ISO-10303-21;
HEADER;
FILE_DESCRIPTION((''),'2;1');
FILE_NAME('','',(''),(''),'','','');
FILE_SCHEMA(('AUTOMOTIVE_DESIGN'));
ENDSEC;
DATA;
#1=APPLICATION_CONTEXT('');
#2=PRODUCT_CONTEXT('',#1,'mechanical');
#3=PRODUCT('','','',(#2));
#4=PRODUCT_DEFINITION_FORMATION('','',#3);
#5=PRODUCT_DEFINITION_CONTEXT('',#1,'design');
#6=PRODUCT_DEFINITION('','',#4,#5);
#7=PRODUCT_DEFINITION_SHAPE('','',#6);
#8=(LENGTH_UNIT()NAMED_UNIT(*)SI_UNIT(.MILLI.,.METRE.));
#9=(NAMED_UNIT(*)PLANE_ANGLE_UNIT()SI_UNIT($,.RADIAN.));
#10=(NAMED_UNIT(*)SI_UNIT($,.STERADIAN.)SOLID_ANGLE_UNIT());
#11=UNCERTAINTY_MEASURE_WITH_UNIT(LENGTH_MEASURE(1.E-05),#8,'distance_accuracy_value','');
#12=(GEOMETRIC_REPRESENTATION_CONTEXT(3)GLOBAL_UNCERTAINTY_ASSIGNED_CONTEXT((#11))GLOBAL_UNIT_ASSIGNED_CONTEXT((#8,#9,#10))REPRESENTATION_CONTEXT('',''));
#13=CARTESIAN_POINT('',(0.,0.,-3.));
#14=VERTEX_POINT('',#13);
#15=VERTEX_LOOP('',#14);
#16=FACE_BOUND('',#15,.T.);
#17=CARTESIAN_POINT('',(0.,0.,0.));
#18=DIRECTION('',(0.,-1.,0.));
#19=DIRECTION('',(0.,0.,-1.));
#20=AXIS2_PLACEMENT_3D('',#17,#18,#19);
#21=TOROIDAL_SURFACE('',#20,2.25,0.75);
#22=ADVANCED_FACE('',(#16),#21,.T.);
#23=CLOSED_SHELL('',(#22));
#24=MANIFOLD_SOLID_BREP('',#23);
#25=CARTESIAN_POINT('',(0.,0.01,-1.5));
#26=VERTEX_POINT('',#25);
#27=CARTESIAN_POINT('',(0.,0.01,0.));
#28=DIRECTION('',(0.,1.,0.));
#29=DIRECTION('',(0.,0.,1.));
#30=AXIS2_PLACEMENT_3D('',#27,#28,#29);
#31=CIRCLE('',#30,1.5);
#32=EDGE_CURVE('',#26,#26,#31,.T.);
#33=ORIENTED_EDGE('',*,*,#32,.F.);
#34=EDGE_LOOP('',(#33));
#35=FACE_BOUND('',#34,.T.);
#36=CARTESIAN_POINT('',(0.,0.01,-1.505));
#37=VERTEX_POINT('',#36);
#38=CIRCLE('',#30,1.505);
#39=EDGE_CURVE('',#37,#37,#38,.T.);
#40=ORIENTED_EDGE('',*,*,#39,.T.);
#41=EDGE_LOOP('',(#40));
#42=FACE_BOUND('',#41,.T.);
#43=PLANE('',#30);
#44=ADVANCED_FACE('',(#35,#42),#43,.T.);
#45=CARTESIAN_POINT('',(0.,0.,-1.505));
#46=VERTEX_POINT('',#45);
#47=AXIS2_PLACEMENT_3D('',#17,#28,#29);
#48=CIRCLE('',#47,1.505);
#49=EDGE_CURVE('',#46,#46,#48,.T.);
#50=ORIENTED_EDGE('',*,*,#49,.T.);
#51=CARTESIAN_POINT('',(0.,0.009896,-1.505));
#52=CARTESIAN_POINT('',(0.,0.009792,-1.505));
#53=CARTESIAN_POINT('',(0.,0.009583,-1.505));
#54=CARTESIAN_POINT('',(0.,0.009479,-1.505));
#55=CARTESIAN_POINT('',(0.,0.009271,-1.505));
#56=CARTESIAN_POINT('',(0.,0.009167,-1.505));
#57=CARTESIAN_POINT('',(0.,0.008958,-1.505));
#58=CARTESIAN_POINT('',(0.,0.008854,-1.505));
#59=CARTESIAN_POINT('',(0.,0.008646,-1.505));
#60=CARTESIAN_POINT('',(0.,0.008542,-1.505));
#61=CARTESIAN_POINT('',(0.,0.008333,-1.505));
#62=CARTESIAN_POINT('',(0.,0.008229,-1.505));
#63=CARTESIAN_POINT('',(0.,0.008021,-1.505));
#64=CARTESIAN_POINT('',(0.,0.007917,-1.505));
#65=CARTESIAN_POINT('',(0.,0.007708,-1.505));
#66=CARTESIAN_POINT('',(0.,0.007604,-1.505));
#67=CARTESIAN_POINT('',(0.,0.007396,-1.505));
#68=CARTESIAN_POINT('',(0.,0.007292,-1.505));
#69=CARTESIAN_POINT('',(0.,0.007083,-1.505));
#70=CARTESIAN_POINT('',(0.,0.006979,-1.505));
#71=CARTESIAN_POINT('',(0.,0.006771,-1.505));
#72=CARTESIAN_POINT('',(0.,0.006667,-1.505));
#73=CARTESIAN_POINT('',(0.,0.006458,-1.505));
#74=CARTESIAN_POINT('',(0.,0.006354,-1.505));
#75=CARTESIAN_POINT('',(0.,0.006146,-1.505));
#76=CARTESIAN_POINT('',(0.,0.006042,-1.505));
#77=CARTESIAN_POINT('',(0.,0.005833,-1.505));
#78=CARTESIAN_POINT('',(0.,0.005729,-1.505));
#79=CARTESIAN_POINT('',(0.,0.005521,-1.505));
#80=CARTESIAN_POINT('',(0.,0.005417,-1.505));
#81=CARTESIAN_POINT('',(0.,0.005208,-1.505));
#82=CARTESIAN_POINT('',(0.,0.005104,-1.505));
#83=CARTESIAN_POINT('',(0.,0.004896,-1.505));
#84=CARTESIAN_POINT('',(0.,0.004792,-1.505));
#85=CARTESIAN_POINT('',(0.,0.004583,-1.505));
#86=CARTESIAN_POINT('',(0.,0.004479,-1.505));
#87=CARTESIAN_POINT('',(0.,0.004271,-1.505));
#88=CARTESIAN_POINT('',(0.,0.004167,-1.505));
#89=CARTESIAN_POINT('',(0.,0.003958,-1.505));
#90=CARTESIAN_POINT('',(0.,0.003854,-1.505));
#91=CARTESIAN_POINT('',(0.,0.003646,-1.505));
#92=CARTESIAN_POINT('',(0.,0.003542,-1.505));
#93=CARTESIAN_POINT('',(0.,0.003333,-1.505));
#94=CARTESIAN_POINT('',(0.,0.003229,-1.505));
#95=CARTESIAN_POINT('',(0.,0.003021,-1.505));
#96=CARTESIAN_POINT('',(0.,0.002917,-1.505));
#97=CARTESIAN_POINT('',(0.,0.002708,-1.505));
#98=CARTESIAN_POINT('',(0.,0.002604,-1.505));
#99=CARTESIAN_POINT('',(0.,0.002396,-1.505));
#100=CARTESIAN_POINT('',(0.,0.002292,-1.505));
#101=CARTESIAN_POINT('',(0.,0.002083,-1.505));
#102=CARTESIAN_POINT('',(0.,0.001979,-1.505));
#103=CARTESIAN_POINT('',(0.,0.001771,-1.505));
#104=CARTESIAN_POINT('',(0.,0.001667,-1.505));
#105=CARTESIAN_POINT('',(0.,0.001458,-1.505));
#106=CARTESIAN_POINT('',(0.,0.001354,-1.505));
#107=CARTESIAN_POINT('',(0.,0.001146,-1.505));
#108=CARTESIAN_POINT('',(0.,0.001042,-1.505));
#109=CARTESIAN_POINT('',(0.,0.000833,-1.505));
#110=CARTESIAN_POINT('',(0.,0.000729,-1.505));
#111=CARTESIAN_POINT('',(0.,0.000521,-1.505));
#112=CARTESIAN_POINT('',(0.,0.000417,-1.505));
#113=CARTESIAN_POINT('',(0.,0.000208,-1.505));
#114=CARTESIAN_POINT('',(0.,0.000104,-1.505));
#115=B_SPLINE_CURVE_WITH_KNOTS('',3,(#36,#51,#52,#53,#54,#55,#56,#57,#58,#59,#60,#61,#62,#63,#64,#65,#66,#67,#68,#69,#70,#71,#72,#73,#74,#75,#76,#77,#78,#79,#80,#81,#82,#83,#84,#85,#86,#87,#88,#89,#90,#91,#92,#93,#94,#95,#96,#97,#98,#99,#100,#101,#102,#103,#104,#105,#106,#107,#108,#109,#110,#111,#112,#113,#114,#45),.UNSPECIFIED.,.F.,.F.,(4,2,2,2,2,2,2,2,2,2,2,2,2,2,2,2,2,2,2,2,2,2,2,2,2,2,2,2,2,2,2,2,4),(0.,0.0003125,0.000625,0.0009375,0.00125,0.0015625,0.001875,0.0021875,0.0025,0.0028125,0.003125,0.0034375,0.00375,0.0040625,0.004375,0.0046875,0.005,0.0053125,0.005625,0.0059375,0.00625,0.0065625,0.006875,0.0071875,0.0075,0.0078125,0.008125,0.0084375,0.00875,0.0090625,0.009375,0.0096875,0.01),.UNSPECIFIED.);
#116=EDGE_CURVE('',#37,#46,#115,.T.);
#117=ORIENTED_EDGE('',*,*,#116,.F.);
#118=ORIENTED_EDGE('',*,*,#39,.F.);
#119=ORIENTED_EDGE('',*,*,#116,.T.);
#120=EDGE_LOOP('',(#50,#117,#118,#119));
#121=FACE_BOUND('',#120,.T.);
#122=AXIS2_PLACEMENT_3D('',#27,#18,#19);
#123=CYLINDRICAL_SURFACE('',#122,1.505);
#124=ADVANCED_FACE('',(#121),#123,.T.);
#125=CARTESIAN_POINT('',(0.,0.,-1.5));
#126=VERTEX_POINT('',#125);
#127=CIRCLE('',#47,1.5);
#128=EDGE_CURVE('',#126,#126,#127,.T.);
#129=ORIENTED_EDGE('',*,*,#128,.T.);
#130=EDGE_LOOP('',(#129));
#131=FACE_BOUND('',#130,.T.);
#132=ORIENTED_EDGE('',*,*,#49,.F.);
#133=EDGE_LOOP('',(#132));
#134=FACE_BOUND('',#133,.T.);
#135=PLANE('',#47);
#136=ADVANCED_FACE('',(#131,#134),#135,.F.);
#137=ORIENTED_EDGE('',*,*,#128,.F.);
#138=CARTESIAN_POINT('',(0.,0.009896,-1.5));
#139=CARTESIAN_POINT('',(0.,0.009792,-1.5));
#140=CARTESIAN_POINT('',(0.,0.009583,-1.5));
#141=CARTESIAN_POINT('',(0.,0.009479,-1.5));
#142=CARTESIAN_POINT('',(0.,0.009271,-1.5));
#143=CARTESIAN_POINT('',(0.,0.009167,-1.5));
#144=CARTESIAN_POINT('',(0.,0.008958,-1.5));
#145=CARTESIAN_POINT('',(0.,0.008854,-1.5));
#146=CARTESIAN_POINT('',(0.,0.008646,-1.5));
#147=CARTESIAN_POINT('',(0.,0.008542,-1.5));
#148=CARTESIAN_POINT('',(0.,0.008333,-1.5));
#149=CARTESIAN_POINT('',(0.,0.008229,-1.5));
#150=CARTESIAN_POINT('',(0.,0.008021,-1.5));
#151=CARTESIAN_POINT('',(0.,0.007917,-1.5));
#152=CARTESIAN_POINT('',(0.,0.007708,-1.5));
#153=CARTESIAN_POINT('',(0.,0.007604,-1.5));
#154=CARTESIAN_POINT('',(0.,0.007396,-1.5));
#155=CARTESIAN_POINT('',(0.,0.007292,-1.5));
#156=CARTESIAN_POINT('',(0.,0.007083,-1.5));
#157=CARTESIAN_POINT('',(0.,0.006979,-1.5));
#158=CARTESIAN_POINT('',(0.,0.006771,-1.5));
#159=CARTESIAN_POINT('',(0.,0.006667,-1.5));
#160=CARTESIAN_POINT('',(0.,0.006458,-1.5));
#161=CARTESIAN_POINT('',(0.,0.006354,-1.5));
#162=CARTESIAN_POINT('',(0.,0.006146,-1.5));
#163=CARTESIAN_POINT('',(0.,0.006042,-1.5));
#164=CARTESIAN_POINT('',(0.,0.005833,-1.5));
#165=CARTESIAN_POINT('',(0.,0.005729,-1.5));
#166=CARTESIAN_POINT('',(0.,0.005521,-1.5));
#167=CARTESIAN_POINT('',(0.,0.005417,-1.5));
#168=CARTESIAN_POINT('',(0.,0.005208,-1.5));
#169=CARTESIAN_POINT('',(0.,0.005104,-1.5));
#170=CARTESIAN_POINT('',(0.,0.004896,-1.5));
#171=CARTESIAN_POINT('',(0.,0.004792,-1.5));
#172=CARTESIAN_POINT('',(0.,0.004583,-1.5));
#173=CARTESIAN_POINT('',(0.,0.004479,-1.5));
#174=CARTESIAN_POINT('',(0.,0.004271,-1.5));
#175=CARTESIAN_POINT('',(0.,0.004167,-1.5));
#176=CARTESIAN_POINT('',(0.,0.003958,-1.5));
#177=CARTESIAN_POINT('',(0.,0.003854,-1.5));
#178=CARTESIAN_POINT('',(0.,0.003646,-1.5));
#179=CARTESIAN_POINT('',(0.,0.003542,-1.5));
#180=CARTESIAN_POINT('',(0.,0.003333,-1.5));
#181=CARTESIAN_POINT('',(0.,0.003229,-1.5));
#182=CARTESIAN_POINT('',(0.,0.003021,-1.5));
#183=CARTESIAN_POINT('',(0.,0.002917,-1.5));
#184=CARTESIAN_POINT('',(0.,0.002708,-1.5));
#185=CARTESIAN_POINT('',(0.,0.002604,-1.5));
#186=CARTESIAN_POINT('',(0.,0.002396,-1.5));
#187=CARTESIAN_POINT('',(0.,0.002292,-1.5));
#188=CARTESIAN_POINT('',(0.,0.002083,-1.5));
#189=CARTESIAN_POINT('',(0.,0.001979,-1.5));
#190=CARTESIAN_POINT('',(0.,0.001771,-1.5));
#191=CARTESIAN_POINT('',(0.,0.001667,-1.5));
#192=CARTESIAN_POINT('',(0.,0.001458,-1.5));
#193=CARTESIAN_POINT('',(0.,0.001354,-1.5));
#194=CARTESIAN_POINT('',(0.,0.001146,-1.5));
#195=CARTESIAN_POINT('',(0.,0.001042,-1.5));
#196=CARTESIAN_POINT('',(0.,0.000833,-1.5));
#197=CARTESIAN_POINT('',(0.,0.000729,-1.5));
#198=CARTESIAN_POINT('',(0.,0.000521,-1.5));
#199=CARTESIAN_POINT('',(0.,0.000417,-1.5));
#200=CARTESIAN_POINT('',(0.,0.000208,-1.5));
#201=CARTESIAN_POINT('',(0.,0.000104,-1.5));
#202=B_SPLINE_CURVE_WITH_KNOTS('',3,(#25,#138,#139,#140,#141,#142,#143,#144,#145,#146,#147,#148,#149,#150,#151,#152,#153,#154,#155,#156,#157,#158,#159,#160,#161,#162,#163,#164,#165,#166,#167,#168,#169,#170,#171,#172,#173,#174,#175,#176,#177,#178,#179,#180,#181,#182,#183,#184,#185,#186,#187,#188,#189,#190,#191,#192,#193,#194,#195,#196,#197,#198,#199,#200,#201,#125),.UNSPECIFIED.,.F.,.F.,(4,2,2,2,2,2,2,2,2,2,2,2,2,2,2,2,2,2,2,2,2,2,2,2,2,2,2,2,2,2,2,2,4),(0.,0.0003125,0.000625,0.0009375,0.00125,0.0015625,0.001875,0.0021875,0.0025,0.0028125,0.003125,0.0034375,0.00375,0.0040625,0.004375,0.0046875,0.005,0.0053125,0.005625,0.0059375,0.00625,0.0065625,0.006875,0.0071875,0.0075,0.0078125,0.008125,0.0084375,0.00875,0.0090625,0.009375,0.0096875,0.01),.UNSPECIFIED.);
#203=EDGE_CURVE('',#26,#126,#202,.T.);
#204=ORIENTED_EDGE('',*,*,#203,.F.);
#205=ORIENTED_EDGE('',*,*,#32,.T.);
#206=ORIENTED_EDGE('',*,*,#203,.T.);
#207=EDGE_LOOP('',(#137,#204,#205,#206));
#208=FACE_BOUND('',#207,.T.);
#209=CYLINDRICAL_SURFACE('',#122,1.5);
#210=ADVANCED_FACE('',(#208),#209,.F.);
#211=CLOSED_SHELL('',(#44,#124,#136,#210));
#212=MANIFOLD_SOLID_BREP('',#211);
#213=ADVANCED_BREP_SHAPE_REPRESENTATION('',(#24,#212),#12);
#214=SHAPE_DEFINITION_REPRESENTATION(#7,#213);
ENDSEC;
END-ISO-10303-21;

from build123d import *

# Parameters (mm, degrees)
ESBO_O1_R                = 0.75
ESBO_O2_R                = 1.505
ESBO_O2_R_2              = 1.5
RESSALTO_EXTRUS_O1_DEPTH = 0.01


with BuildPart() as part:
    # Esboço1 → Revolução1 (revolve)
    with BuildSketch(Plane.XY, mode=Mode.PRIVATE) as revolu_o1_sk:
        with Locations((2.25, 0)):
            Circle(ESBO_O1_R)
    revolve(revolu_o1_sk.sketch.rotate(Axis((0, 0, 0), (0, 1, 0)), 90), axis=Axis((0, 0, 0), (0, 1, 0)))


with BuildPart() as body_2:
    # Esboço2 → Ressalto-extrusão1 (new body)
    with BuildSketch(Plane(origin=(0, 0, 0), x_dir=(1, 0, 0), z_dir=(0, 1, 0))):
        with Locations(Location((0, 0, 0), (0, 0, 90))):
            Circle(ESBO_O2_R)
        with Locations(Location((0, 0, 0), (0, 0, 90))):
            Circle(ESBO_O2_R_2, mode=Mode.SUBTRACT)
    extrude(amount=RESSALTO_EXTRUS_O1_DEPTH)


solid = Compound([part.part, body_2.part])
